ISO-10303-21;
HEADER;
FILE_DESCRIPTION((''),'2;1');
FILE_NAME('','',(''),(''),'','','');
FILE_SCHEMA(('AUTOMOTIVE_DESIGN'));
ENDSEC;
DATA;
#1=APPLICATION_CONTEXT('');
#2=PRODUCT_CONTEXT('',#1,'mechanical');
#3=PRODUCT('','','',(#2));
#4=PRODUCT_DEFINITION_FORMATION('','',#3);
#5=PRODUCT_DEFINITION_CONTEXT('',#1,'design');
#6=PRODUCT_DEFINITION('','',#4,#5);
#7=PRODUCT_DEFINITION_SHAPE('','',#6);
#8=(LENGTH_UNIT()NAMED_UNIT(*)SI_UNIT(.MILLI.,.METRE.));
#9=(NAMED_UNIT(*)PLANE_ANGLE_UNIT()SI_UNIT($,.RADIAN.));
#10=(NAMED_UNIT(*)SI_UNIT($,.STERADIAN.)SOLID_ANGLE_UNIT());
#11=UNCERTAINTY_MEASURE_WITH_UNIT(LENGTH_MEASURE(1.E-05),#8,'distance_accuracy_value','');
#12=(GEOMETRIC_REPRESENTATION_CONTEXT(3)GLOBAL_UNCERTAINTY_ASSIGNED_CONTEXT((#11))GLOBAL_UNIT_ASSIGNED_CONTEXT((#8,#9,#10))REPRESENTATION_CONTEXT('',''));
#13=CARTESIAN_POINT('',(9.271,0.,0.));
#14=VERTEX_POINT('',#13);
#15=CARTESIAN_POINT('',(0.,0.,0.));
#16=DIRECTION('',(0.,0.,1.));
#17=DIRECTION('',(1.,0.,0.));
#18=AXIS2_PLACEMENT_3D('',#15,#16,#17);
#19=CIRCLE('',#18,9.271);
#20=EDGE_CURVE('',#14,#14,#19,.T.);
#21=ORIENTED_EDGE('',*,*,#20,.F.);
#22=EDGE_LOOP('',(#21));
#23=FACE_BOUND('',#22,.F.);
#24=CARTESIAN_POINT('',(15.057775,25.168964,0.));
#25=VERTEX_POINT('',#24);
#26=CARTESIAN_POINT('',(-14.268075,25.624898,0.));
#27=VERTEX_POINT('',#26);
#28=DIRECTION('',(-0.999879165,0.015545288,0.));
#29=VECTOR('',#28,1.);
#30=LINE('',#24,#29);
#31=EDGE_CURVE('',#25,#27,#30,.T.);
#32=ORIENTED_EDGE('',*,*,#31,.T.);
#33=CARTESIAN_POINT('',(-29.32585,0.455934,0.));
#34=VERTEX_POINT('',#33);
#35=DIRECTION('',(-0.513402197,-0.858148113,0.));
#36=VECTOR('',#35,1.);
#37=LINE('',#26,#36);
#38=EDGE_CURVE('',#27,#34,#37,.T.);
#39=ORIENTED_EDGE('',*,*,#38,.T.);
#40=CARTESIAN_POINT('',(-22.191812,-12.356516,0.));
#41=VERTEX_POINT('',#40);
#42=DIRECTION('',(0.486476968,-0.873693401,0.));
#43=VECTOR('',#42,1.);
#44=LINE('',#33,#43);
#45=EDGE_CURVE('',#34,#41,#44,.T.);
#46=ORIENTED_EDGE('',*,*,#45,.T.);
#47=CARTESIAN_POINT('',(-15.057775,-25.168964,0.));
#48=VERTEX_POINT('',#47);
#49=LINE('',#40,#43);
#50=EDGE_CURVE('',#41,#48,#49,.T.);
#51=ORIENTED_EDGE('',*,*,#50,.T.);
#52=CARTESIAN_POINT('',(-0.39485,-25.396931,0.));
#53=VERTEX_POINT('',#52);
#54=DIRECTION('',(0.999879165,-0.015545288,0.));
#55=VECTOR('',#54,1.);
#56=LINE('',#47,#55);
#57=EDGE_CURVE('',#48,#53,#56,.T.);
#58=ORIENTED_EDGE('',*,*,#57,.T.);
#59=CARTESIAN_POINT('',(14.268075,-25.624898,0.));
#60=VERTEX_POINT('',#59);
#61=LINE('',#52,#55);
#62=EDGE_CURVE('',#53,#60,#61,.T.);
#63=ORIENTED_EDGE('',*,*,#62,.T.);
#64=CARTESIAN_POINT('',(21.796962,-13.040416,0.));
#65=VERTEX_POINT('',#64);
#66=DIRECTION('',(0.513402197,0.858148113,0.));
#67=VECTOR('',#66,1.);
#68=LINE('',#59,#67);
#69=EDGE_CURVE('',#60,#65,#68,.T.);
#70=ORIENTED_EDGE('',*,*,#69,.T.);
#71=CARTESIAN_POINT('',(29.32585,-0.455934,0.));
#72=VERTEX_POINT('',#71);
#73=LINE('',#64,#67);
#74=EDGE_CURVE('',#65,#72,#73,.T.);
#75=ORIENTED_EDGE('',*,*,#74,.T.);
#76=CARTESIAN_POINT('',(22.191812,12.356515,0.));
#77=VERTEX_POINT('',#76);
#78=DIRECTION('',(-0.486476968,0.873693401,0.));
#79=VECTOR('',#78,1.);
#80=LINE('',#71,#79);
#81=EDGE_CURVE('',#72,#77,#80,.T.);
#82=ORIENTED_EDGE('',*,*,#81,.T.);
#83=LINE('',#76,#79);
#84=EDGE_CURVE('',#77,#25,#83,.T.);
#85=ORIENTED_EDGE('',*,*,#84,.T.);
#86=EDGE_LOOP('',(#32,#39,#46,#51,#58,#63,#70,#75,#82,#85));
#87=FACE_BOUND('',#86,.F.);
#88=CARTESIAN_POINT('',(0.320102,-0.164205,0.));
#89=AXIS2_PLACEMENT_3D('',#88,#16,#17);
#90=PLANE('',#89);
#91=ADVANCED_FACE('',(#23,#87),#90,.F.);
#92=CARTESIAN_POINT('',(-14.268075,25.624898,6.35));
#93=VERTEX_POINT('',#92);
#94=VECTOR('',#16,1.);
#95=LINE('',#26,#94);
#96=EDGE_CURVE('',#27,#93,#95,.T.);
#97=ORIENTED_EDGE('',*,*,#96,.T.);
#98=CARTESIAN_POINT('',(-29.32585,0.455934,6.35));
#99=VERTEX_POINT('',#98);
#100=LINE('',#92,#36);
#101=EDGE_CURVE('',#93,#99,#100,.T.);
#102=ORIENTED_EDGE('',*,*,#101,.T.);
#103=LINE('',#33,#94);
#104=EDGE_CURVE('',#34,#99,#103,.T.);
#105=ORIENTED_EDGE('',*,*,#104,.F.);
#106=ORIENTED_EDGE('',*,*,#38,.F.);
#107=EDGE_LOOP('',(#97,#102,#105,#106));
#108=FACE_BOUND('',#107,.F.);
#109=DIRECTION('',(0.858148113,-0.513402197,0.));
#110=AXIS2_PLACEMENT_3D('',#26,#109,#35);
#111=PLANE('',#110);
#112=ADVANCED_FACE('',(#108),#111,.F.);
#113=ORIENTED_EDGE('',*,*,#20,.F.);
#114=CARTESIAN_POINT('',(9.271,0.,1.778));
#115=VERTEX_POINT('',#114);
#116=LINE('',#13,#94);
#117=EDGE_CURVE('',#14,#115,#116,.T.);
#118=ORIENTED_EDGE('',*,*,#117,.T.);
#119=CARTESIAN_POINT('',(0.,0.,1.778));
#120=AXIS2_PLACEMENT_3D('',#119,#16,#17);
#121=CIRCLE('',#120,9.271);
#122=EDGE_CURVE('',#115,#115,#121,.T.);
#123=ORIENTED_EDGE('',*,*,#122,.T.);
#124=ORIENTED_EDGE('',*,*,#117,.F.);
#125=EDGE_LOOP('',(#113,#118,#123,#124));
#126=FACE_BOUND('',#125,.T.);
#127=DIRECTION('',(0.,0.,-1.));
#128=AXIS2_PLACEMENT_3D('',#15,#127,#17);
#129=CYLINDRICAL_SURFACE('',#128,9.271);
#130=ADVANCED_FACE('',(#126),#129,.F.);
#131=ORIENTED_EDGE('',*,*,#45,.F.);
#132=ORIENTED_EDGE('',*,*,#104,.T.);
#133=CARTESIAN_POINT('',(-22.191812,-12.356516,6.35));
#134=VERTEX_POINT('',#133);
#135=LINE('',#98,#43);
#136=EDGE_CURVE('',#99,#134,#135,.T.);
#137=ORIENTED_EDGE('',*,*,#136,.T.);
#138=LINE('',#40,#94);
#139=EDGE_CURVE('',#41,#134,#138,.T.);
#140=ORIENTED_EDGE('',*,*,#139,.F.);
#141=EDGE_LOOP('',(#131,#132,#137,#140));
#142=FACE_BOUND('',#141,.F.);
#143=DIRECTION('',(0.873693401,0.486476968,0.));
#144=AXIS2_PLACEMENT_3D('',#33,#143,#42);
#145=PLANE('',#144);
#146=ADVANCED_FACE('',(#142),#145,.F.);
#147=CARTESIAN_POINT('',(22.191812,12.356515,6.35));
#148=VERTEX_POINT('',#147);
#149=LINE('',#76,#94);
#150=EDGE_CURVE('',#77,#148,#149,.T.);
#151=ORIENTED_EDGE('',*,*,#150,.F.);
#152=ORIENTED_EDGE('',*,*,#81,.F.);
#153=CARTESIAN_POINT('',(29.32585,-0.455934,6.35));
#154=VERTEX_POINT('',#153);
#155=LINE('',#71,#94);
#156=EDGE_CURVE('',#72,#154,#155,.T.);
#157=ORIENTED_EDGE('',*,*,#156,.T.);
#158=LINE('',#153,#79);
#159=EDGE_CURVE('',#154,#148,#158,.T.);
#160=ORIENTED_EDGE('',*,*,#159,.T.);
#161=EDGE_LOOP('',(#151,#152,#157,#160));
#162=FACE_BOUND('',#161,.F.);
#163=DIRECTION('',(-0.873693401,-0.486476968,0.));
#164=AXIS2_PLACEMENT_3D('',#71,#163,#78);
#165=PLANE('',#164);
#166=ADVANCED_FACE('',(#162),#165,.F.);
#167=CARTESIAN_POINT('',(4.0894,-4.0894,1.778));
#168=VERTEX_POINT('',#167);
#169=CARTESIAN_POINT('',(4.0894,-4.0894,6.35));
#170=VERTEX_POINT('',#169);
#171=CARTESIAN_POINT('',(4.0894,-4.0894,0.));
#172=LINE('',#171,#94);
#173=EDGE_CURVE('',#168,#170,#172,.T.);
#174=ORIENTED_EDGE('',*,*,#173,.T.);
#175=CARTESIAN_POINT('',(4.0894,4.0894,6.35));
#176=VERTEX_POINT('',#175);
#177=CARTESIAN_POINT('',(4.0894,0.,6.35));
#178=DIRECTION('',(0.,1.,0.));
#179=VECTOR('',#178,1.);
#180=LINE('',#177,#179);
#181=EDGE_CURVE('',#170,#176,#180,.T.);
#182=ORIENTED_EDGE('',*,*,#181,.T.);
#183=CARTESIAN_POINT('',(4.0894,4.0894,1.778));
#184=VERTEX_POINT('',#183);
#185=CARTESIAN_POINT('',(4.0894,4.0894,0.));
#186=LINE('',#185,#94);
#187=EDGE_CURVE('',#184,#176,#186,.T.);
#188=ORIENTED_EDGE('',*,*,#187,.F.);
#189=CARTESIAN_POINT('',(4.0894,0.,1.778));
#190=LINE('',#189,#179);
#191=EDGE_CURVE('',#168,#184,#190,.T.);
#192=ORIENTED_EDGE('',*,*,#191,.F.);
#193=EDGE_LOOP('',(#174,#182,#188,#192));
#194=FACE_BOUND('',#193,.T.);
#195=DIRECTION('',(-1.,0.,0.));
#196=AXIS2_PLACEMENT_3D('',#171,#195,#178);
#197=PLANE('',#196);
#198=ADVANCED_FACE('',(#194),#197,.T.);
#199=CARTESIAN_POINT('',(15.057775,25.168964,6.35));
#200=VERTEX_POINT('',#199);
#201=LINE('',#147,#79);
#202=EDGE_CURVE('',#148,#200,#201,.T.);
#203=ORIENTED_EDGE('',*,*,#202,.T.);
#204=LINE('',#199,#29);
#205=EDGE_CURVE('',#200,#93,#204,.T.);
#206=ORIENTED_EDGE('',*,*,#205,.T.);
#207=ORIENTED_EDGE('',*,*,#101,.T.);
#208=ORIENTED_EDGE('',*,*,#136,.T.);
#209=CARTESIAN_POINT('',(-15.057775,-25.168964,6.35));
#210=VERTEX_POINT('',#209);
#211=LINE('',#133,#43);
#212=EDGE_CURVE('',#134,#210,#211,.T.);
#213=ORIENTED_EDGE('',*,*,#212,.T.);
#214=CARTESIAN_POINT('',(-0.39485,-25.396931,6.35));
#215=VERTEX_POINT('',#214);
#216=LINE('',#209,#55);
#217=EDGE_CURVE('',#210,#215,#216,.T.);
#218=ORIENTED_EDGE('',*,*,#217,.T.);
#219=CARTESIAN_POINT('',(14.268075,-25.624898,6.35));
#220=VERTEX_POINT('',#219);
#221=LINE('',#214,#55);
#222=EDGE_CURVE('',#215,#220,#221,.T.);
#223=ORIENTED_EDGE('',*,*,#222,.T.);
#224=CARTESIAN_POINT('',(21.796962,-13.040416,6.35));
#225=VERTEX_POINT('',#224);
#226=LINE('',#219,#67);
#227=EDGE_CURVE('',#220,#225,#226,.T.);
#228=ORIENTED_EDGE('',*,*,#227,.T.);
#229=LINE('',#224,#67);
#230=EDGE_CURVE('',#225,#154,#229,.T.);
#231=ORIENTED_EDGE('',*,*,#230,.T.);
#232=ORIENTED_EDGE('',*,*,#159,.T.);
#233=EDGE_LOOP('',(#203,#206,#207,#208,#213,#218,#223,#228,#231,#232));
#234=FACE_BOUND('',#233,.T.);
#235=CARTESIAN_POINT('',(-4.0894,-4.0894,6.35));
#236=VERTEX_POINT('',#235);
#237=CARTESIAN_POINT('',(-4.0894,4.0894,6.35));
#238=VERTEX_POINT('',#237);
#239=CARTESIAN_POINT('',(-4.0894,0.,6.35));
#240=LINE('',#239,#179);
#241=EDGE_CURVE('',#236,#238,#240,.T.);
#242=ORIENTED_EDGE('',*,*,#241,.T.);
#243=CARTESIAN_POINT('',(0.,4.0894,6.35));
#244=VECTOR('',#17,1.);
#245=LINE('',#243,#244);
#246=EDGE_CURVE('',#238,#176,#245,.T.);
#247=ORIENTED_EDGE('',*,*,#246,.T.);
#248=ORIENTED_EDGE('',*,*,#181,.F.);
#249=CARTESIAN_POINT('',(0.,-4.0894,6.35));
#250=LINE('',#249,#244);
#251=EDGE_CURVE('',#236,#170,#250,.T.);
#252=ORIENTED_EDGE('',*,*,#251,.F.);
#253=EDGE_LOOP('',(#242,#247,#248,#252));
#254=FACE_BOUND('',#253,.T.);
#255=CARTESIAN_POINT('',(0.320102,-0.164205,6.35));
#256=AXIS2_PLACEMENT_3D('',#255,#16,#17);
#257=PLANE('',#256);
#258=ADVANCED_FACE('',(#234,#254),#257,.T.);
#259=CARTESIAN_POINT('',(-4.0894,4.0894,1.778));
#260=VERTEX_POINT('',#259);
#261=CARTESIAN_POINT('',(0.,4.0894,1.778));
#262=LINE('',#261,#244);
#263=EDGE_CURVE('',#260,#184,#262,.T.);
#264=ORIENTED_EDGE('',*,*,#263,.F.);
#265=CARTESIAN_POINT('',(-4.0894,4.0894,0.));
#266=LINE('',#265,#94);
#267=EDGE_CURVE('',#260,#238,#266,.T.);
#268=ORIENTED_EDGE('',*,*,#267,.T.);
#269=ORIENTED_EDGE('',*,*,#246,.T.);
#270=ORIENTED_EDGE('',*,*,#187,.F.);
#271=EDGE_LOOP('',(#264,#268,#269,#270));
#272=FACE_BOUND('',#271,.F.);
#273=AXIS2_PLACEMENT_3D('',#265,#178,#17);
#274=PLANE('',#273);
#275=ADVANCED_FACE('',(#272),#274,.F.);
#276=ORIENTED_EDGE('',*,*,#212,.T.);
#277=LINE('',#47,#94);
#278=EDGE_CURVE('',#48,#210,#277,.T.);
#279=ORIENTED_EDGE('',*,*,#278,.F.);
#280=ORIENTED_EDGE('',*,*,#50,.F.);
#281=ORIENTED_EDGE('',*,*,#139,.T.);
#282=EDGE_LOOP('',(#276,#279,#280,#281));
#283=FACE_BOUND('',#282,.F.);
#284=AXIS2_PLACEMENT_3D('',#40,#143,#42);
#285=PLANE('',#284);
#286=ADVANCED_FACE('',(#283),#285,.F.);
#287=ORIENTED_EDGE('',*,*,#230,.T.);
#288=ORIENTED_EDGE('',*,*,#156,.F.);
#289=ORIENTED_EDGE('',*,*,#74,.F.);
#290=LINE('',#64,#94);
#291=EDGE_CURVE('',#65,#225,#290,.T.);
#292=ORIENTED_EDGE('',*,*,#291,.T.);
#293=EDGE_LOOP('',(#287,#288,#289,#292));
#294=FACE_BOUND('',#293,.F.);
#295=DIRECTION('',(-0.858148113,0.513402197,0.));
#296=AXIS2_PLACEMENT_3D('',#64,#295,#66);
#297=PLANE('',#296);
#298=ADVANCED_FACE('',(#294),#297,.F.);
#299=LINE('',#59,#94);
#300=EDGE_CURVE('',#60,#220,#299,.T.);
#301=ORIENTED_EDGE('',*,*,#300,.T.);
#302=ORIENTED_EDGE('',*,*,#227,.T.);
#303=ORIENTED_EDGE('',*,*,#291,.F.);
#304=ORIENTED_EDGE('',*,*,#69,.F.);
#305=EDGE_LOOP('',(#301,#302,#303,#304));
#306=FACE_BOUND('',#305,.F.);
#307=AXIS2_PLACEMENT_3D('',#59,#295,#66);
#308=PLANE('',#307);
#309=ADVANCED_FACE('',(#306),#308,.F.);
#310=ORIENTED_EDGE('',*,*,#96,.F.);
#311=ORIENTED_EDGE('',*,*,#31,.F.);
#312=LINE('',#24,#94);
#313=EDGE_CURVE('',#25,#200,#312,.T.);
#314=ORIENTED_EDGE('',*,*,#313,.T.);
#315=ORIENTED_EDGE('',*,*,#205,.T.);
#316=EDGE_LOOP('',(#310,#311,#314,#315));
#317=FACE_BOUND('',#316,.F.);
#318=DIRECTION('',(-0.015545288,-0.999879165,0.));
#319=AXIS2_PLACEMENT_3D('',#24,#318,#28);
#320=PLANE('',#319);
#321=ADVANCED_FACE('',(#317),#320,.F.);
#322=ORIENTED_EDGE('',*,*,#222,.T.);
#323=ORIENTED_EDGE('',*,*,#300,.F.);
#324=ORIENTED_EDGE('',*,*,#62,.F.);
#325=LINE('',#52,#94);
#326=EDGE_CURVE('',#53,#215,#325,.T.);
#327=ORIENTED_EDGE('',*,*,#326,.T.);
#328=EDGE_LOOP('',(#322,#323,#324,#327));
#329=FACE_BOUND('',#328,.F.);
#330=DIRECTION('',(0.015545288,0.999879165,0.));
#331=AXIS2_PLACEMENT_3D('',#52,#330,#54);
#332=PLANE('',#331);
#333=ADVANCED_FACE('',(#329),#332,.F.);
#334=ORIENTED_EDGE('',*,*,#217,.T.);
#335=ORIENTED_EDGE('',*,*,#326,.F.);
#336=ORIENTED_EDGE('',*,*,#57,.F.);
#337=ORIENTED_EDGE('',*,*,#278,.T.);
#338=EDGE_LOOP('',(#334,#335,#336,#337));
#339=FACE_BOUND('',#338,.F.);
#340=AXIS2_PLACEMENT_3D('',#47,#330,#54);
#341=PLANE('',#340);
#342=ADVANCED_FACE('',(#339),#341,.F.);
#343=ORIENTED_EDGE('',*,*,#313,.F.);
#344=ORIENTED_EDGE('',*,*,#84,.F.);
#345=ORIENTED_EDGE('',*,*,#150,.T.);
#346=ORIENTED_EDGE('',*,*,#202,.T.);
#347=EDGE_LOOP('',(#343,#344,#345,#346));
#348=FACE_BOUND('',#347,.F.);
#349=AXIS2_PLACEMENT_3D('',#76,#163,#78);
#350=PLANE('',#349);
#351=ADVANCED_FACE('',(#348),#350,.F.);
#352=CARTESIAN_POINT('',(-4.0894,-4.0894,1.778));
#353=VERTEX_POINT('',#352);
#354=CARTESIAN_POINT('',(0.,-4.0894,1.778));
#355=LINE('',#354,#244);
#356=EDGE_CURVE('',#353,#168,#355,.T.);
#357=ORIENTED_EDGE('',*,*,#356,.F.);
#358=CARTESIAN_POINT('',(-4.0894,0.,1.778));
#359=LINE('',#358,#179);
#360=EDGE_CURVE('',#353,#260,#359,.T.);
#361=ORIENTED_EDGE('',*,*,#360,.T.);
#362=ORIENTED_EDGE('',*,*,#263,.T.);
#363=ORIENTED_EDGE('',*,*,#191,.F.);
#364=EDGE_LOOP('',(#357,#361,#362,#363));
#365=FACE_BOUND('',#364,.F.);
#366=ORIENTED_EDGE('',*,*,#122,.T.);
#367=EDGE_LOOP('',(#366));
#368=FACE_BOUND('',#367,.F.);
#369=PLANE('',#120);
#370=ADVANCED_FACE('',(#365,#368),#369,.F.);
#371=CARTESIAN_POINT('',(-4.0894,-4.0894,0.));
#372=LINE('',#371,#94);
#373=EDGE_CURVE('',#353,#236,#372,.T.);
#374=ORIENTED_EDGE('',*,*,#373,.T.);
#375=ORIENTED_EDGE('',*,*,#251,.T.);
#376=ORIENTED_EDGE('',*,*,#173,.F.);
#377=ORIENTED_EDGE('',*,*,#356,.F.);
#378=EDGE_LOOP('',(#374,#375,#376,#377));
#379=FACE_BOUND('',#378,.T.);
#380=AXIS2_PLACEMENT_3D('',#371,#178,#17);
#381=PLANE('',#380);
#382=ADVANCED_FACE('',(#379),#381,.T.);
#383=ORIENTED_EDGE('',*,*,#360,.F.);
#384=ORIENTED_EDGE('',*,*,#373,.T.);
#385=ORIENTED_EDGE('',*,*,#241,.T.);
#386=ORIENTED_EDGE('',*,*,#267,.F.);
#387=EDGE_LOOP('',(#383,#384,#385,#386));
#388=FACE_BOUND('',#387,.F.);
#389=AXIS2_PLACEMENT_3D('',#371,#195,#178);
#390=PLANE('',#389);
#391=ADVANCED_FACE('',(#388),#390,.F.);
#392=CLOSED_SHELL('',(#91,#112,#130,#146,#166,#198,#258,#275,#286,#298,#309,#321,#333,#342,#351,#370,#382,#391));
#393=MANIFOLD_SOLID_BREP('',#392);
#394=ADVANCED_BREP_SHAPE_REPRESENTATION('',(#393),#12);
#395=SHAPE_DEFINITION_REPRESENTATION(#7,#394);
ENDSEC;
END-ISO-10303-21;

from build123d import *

# Parameters (mm, degrees)
F0_R     = 9.271
F0_W     = 8.1788
F0_H     = 8.1788
F1_DEPTH = 6.35
F2_DEPTH = 1.778


with BuildPart() as f1:
    # F0 (on Top) → F1 (new body)
    with BuildSketch(Plane.XY):
        with BuildLine():
            ThreePointArc((21.7969618714, -13.0404161427), (24.4826758294, -6.7645091642), (25.4, 0))
            ThreePointArc((25.4, 0), (24.5848737642, 6.3831012839), (22.1918124409, 12.3565149045))
            ThreePointArc((22.1918124409, 12.3565149045), (13.0404159786, 21.7969619696), (0.3948506462, 25.3969307785))
            ThreePointArc((0.3948506462, 25.3969307785), (-12.3565148847, 22.191812452), (-21.7969621275, 13.0404157147))
            ThreePointArc((-21.7969621275, 13.0404157147), (-25.3969307892, 0.3948499567), (-22.1918120914, -12.3565155323))
            ThreePointArc((-22.1918120914, -12.3565155323), (-13.0404155443, -21.7969622294), (-0.3948503527, -25.396930783))
            ThreePointArc((-0.3948503527, -25.396930783), (12.356514795, -22.1918125019), (21.7969618714, -13.0404161427))
        make_face()
        Circle(F0_R, mode=Mode.SUBTRACT)
        with BuildLine():
            ThreePointArc((-21.7969621275, 13.0404157147), (-12.3565148847, 22.191812452), (0.3948506462, 25.3969307785))
            Line((0.3948506462, 25.3969307785), (-14.2680745061, 25.6248977212))
            Line((-14.2680745061, 25.6248977212), (-21.7969621275, 13.0404157147))
        make_face()
        with BuildLine():
            ThreePointArc((0.3948506462, 25.3969307785), (13.0404159786, 21.7969619696), (22.1918124409, 12.3565149045))
            Line((22.1918124409, 12.3565149045), (15.0577751429, 25.168963846))
            Line((15.0577751429, 25.168963846), (0.3948506462, 25.3969307785))
        make_face()
        with BuildLine():
            ThreePointArc((22.1918124409, 12.3565149045), (24.5848737642, 6.3831012839), (25.4, 0))
            ThreePointArc((25.4, 0), (24.4826758294, -6.7645091642), (21.7969618714, -13.0404161427))
            Line((21.7969618714, -13.0404161427), (29.325849649, -0.4559338752))
            Line((29.325849649, -0.4559338752), (22.1918124409, 12.3565149045))
        make_face()
        with BuildLine():
            Line((14.2680745061, -25.6248977212), (21.7969618714, -13.0404161427))
            ThreePointArc((21.7969618714, -13.0404161427), (12.356514795, -22.1918125019), (-0.3948503527, -25.396930783))
            Line((-0.3948503527, -25.396930783), (14.2680745061, -25.6248977212))
        make_face()
        with BuildLine():
            Line((-15.0577751429, -25.168963846), (-0.3948503527, -25.396930783))
            ThreePointArc((-0.3948503527, -25.396930783), (-13.0404155443, -21.7969622294), (-22.1918120914, -12.3565155323))
            Line((-22.1918120914, -12.3565155323), (-15.0577751429, -25.168963846))
        make_face()
        with BuildLine():
            ThreePointArc((-22.1918120914, -12.3565155323), (-25.3969307892, 0.3948499567), (-21.7969621275, 13.0404157147))
            Line((-21.7969621275, 13.0404157147), (-29.325849649, 0.4559338752))
            Line((-29.325849649, 0.4559338752), (-22.1918120914, -12.3565155323))
        make_face()
        Circle(F0_R)
        Rectangle(F0_W, F0_H, mode=Mode.SUBTRACT)
    extrude(amount=F1_DEPTH)

    # F0 (on Top) → F2 (cut)
    with BuildSketch(Plane.XY):
        Circle(F0_R)
        Rectangle(F0_W, F0_H, mode=Mode.SUBTRACT)
    extrude(amount=F2_DEPTH, mode=Mode.SUBTRACT)


solid = f1.part
